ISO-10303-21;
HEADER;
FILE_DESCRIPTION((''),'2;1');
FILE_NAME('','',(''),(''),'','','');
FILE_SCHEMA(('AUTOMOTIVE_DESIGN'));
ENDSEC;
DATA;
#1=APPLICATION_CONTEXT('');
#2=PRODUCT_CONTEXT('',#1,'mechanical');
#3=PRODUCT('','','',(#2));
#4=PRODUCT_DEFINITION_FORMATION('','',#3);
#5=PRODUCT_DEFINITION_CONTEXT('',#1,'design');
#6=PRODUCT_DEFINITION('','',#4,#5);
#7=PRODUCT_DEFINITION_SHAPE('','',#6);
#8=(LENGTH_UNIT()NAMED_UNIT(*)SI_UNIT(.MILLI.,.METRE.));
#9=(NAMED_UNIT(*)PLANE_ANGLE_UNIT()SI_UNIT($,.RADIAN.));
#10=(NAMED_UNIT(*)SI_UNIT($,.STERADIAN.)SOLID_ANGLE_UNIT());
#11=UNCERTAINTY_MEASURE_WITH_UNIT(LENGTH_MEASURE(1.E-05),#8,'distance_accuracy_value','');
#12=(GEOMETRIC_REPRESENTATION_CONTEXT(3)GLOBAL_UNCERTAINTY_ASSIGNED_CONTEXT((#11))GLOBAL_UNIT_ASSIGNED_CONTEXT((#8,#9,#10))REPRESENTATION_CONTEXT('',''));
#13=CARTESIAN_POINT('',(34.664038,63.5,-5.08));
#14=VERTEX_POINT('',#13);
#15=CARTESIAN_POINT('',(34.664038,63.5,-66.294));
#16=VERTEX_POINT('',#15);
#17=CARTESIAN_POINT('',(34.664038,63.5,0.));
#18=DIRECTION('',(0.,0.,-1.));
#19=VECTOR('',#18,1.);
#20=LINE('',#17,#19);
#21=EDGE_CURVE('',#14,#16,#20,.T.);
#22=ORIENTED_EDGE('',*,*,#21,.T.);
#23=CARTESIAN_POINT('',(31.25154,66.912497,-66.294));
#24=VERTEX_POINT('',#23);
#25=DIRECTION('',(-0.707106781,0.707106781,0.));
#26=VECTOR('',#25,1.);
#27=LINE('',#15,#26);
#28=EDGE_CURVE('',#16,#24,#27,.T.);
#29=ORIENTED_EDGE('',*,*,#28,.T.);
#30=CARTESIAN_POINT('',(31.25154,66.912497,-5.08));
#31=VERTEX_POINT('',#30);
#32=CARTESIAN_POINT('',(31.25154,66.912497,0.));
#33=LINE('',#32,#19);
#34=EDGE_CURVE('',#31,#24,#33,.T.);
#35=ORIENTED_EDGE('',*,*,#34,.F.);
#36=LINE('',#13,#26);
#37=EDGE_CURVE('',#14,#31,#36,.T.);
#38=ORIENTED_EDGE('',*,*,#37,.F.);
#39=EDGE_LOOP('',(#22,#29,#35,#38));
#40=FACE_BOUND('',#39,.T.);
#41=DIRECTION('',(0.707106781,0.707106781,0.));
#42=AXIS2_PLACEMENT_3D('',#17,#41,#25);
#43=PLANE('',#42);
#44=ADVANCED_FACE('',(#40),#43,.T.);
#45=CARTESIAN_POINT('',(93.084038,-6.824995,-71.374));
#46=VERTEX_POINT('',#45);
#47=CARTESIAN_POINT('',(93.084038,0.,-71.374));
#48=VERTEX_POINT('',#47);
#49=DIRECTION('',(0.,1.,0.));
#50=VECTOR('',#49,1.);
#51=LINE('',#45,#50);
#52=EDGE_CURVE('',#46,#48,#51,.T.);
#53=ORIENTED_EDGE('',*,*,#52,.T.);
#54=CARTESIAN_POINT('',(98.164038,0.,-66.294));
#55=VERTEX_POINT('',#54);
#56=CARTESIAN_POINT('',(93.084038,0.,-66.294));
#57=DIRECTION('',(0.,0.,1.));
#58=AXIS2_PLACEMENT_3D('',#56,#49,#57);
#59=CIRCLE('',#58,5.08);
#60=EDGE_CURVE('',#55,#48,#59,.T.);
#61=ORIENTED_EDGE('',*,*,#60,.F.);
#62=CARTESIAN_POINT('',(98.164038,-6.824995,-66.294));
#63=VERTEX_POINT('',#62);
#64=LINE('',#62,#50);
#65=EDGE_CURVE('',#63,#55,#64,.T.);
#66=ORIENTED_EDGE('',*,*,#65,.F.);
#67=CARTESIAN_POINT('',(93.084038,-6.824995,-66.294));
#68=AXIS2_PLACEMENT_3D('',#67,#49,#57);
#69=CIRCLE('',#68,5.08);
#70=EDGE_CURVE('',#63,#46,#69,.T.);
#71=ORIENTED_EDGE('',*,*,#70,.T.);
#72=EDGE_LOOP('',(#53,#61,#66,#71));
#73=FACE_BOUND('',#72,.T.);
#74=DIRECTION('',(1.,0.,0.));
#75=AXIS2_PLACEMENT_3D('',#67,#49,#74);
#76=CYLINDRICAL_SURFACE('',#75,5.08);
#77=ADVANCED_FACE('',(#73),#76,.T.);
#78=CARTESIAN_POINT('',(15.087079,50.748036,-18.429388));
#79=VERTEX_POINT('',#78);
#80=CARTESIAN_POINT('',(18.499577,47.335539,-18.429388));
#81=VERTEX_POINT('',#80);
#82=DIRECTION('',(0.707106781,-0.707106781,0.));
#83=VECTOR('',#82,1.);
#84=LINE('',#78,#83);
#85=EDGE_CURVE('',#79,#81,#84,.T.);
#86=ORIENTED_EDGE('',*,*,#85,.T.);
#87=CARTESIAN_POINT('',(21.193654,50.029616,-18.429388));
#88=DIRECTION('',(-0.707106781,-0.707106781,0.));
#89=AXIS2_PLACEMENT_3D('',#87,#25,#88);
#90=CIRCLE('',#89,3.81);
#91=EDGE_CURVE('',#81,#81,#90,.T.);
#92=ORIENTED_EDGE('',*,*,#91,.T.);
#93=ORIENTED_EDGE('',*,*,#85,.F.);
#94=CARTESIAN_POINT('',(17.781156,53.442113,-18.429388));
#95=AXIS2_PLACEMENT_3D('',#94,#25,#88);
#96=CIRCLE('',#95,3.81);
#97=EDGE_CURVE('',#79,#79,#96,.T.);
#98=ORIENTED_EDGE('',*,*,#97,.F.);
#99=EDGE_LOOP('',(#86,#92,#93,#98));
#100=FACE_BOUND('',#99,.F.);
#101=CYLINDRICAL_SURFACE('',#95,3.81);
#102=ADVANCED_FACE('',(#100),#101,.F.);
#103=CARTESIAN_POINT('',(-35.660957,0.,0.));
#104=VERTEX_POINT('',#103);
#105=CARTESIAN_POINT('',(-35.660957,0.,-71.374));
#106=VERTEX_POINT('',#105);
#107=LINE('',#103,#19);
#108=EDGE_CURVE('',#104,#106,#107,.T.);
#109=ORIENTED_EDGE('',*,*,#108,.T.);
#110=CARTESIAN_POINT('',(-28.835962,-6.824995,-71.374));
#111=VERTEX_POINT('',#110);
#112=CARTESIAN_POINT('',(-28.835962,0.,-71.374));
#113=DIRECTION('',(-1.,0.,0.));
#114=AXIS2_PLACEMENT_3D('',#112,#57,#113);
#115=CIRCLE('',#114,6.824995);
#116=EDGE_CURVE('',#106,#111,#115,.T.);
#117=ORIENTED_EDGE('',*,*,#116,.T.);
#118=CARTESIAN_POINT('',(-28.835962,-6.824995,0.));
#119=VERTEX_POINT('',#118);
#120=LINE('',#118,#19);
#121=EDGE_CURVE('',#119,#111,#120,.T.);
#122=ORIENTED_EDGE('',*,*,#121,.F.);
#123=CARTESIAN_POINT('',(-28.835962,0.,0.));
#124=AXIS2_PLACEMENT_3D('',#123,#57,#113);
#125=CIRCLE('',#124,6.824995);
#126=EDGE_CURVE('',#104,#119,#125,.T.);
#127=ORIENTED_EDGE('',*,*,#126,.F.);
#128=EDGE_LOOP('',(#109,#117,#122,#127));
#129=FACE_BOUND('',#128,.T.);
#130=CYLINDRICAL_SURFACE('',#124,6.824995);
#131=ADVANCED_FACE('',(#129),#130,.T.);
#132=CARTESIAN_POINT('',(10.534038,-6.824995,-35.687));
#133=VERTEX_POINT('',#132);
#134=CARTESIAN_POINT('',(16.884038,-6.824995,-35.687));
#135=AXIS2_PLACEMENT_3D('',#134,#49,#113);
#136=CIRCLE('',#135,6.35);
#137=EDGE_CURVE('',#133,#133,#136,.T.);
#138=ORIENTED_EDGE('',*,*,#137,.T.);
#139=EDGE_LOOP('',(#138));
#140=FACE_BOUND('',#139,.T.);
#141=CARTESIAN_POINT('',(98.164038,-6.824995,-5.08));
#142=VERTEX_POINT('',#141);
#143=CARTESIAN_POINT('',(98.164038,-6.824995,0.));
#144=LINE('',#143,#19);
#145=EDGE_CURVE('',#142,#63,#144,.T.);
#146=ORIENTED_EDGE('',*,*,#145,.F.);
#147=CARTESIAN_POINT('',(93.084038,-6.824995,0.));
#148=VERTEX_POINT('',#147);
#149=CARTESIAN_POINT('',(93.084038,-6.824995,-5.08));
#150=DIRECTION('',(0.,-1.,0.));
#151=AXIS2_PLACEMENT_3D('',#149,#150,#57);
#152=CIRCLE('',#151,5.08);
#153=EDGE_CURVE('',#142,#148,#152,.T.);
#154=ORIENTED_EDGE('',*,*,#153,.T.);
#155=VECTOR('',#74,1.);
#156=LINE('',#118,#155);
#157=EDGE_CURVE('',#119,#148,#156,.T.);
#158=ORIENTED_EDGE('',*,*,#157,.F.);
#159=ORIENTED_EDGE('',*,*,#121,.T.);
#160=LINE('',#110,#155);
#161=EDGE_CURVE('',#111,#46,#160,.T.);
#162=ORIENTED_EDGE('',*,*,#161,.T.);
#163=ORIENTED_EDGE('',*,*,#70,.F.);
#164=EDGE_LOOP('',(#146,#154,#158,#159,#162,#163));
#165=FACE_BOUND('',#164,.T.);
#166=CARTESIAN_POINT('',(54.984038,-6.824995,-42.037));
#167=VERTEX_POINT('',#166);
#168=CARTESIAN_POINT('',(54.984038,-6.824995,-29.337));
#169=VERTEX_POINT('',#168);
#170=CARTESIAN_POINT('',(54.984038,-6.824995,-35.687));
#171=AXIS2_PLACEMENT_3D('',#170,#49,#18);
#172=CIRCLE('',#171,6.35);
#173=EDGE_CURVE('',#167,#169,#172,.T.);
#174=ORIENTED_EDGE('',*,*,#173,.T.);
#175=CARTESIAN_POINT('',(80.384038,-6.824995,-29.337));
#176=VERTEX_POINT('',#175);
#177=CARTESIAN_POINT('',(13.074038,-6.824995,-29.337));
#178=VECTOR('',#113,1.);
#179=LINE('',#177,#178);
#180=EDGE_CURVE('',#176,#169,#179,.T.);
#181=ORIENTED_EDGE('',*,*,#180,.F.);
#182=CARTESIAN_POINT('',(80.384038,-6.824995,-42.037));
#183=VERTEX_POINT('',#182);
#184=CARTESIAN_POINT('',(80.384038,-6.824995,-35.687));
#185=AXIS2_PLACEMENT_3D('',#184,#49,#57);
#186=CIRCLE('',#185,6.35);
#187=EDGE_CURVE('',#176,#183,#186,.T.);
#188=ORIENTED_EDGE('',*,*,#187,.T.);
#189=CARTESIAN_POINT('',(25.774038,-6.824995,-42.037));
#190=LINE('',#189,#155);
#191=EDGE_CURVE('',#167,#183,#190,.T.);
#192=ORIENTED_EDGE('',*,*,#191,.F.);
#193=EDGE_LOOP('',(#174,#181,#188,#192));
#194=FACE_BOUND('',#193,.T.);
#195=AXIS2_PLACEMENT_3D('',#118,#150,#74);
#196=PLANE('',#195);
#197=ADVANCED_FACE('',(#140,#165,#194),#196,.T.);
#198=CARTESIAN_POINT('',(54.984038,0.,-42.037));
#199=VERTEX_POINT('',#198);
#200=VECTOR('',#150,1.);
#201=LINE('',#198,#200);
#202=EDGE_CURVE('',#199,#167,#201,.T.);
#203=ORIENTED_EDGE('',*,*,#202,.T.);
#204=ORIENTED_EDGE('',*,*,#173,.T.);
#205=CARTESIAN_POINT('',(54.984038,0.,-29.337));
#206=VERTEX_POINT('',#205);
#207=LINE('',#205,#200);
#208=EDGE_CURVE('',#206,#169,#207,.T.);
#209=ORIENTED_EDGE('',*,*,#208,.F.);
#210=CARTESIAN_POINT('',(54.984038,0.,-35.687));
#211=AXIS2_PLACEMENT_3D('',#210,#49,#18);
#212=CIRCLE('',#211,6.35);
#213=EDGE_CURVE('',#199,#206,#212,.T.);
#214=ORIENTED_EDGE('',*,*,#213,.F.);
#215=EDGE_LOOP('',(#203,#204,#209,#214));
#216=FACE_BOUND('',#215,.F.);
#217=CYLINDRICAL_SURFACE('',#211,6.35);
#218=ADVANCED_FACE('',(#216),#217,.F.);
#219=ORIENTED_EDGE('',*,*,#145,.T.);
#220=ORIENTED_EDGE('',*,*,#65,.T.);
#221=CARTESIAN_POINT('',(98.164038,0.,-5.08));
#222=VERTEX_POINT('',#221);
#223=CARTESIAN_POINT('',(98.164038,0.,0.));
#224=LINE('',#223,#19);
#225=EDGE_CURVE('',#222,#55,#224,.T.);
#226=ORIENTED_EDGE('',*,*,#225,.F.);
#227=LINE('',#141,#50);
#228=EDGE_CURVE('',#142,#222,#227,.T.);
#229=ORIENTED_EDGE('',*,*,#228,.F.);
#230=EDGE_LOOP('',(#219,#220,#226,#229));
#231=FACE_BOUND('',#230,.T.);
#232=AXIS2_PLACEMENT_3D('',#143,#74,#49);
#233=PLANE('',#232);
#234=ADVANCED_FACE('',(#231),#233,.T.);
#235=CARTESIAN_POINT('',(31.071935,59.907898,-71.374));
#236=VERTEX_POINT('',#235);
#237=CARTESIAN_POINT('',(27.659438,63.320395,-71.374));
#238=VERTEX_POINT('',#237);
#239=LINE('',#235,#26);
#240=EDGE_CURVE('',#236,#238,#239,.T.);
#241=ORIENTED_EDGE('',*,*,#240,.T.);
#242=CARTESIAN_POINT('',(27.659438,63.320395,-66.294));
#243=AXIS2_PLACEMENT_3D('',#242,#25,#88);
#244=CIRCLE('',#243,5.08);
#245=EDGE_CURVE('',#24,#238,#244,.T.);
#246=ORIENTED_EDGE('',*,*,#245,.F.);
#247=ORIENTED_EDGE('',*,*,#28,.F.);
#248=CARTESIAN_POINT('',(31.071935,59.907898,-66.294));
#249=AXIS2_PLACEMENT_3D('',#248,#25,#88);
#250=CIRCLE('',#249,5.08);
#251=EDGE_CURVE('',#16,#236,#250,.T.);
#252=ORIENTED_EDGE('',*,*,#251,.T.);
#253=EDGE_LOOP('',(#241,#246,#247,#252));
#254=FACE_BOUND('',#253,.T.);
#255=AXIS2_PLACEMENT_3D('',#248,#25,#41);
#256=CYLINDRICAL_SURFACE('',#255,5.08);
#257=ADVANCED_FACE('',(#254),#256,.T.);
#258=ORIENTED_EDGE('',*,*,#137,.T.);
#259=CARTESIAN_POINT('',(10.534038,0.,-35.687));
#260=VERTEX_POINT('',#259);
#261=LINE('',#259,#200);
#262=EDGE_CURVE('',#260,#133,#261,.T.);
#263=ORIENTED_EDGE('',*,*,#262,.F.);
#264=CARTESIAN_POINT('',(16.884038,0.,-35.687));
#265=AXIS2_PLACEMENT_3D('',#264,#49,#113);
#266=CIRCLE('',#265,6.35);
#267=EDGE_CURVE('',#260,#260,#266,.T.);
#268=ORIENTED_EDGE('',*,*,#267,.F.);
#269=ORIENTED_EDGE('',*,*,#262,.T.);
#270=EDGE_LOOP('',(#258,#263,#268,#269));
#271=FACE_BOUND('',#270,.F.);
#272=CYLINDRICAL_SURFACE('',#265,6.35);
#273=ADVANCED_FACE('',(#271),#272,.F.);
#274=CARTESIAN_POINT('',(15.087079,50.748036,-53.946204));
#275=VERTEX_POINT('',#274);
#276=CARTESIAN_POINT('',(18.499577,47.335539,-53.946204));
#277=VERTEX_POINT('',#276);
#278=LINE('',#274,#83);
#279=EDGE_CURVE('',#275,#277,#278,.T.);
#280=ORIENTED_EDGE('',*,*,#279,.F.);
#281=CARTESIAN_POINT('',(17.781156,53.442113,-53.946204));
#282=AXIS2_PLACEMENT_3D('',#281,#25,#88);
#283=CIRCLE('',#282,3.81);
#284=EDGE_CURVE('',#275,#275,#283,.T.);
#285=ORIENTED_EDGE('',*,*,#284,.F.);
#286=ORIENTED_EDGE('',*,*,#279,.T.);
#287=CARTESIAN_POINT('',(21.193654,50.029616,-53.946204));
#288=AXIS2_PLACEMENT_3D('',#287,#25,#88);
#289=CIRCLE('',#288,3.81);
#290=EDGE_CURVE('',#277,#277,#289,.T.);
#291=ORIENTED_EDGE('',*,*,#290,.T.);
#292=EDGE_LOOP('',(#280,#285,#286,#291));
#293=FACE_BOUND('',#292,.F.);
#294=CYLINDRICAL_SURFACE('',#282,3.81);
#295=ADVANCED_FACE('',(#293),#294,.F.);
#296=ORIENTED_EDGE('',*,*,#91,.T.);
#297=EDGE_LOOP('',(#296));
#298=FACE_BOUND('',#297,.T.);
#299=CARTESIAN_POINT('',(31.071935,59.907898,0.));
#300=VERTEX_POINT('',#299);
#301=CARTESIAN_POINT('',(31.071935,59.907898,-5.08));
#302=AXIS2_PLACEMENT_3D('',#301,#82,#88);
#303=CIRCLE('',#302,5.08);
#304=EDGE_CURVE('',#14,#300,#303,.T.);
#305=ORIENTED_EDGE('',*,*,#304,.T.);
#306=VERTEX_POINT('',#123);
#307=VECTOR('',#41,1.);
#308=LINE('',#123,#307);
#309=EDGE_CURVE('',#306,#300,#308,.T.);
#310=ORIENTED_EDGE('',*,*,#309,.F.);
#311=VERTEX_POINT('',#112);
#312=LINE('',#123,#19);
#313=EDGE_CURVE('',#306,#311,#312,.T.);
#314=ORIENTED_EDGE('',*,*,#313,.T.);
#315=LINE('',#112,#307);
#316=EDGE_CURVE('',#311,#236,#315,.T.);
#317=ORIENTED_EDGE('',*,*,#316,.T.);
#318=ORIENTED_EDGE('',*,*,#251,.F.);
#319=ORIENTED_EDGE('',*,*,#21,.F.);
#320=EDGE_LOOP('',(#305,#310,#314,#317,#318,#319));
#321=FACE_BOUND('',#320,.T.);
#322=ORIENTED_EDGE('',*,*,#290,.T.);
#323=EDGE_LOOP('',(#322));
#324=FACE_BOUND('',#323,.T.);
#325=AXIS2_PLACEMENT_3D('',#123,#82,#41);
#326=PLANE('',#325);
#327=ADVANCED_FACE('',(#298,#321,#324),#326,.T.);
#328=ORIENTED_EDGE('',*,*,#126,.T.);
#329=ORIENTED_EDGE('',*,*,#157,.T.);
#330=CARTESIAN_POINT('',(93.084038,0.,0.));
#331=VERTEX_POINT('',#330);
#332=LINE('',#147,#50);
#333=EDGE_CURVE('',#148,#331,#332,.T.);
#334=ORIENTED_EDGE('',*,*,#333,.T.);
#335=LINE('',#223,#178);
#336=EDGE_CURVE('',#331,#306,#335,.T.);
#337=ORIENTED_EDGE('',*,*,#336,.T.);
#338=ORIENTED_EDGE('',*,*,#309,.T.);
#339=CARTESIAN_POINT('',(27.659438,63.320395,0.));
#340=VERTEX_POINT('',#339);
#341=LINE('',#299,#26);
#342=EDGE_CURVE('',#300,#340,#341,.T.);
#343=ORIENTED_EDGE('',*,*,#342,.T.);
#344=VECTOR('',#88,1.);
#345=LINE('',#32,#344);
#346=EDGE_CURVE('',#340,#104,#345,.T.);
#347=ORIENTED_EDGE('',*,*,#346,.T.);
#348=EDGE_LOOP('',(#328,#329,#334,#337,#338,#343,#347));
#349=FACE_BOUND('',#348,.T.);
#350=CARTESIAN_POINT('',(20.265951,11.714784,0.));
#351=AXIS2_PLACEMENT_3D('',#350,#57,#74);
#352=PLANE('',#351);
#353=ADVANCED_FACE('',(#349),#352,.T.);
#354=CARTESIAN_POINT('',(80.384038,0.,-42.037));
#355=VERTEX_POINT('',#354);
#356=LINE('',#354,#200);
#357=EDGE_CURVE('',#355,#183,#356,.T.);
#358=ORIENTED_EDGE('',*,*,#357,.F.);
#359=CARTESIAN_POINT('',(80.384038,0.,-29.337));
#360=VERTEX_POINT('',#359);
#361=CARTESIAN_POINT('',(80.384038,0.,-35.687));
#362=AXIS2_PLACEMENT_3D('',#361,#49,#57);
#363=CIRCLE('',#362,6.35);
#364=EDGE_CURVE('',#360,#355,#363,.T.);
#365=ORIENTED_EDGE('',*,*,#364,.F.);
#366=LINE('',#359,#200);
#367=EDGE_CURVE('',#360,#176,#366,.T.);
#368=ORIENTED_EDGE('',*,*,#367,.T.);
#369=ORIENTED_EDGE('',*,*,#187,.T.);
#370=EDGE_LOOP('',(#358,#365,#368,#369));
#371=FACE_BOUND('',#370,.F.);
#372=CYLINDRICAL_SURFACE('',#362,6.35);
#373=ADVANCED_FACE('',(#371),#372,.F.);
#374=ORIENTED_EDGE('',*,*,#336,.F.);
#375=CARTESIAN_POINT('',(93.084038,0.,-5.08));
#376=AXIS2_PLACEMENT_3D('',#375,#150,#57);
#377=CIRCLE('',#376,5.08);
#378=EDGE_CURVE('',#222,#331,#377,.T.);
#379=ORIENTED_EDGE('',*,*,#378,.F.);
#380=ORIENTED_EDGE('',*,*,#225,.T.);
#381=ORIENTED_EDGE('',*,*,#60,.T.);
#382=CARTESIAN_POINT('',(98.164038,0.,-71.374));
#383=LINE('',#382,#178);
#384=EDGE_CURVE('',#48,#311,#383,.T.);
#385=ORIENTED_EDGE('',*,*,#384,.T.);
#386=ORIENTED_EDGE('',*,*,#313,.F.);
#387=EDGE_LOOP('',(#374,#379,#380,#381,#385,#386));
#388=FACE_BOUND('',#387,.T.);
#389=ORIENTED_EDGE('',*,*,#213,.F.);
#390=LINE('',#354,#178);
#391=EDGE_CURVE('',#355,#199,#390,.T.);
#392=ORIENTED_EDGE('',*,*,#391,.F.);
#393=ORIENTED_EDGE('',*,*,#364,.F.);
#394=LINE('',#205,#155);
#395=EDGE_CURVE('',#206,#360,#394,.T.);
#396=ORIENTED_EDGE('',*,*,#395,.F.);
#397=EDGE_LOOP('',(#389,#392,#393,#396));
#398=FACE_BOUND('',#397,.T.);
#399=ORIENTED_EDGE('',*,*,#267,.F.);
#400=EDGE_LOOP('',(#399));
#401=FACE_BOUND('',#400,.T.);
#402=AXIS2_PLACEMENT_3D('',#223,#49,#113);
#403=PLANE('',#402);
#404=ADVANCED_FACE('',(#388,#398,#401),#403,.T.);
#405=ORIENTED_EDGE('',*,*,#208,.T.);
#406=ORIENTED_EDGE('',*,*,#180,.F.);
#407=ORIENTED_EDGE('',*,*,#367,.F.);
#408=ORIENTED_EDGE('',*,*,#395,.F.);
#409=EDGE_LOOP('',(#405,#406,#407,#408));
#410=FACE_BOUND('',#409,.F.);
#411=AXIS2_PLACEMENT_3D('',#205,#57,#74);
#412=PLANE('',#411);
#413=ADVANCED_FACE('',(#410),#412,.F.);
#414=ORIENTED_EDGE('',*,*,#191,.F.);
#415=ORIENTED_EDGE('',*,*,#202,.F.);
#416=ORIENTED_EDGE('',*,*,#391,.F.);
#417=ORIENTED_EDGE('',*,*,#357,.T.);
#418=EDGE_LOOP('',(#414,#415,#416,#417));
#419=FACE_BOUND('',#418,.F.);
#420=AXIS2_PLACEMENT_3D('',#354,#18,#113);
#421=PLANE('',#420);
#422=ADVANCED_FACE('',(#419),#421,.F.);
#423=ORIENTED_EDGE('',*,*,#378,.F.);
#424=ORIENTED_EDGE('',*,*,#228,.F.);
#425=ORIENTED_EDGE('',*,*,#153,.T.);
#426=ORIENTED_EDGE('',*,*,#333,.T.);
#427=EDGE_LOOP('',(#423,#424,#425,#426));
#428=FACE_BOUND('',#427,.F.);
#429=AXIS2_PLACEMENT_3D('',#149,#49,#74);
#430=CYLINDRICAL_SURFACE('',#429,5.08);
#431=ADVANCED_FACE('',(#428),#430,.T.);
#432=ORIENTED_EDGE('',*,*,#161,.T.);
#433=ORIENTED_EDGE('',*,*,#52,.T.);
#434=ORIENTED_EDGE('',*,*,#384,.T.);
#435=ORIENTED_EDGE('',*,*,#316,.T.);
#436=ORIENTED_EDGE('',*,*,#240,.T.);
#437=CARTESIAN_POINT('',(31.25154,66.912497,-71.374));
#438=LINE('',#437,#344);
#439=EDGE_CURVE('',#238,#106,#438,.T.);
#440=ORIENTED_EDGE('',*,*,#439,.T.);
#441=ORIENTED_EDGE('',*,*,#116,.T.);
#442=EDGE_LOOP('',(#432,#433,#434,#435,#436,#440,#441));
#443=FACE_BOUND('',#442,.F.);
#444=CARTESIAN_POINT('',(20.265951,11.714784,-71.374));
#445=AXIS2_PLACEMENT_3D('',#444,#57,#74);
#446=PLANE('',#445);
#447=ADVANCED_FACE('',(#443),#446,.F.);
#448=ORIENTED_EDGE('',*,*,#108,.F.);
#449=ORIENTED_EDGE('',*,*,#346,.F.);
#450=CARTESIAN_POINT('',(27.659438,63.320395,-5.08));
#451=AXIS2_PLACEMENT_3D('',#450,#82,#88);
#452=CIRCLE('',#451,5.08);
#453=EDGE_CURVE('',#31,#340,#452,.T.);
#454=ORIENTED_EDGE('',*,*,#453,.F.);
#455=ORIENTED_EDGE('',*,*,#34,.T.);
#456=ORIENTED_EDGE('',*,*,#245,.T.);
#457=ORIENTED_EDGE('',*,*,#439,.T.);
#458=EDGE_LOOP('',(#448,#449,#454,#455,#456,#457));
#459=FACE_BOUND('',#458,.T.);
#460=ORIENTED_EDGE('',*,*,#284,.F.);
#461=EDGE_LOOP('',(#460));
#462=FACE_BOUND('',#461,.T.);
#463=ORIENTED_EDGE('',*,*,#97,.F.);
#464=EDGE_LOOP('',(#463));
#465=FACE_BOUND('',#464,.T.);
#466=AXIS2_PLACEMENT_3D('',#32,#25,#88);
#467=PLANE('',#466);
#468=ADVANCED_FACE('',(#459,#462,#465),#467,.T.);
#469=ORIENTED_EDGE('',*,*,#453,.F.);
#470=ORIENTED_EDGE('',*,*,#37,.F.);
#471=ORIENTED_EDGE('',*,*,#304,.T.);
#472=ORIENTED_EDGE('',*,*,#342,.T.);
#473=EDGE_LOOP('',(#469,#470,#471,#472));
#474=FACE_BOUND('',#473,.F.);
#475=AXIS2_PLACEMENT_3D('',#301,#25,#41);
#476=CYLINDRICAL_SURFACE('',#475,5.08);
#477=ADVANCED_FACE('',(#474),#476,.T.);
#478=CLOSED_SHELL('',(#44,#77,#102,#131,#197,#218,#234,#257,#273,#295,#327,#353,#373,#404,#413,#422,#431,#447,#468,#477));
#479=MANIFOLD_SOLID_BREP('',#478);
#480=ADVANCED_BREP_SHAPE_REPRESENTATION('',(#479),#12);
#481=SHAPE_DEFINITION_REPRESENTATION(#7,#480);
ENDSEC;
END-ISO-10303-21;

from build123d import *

# Parameters (mm, degrees)
F1_DEPTH = 71.374
F2_R     = 5.08
F3_R     = 6.35
F4_DEPTH = 25.4
F5_DEPTH = 25.4
F6_R     = 3.81
F7_DEPTH = 25.4


with BuildPart() as f1:
    # F0 (on Top) → F1 (new body)
    with BuildSketch(Plane.XY):
        with BuildLine():
            Line((98.164037795, 0), (0, 0))
            Line((0, 0), (-28.835962205, 0))
            Line((-28.835962205, 0), (34.664037795, 63.5))
            Line((34.664037795, 63.5), (31.251540469, 66.912497326))
            Line((31.251540469, 66.912497326), (-35.660956857, 0))
            ThreePointArc((-35.660956857, 0), (-33.661962205, -4.826), (-28.835962205, -6.824994652))
            Line((-28.835962205, -6.824994652), (98.164037795, -6.824994652))
            Line((98.164037795, -6.824994652), (98.164037795, 0))
        make_face()
    extrude(amount=-F1_DEPTH)

    # F2
    f2_edges = [f1.edges().sort_by_distance(p)[0] for p in [
        (32.957789, 65.206249, 0),
        (32.957789, 65.206249, -71.374),
        (98.164038, -3.412497, 0),
        (98.164038, -3.412497, -71.374),
    ]]
    fillet(f2_edges, radius=F2_R)

    # F3 (on face) → F4 (cut)
    with BuildSketch(Plane(origin=(0, 0, 0), x_dir=(-1, 0, 0), z_dir=(0, 1, 0))):
        with Locations((-16.884037795, -35.687)):
            Circle(F3_R)
    extrude(amount=-F4_DEPTH, mode=Mode.SUBTRACT)

    # F3 (on face) → F5 (cut)
    with BuildSketch(Plane(origin=(0, 0, 0), x_dir=(-1, 0, 0), z_dir=(0, 1, 0))):
        with Locations((-16.884037795, -35.687)):
            Circle(F3_R)
        with BuildLine():
            ThreePointArc((-54.984037795, -42.037), (-48.634037795, -35.687), (-54.984037795, -29.337))
            Line((-54.984037795, -29.337), (-80.384037795, -29.337))
            ThreePointArc((-80.384037795, -29.337), (-86.734037795, -35.687), (-80.384037795, -42.037))
            Line((-80.384037795, -42.037), (-54.984037795, -42.037))
        make_face()
    extrude(amount=-F5_DEPTH, mode=Mode.SUBTRACT)

    # F6 (on face) → F7 (cut)
    with BuildSketch(Plane(origin=(-17.8304784285, 17.8304784285, 0), x_dir=(-0.7071067812, -0.7071067812, 0), z_dir=(-0.7071067812, 0.7071067812, 0))):
        with Locations((-50.3624567935, -53.9462038157)):
            Circle(F6_R)
        with Locations((-50.3624567935, -18.4293880287)):
            Circle(F6_R)
    extrude(amount=-F7_DEPTH, mode=Mode.SUBTRACT)


solid = f1.part
